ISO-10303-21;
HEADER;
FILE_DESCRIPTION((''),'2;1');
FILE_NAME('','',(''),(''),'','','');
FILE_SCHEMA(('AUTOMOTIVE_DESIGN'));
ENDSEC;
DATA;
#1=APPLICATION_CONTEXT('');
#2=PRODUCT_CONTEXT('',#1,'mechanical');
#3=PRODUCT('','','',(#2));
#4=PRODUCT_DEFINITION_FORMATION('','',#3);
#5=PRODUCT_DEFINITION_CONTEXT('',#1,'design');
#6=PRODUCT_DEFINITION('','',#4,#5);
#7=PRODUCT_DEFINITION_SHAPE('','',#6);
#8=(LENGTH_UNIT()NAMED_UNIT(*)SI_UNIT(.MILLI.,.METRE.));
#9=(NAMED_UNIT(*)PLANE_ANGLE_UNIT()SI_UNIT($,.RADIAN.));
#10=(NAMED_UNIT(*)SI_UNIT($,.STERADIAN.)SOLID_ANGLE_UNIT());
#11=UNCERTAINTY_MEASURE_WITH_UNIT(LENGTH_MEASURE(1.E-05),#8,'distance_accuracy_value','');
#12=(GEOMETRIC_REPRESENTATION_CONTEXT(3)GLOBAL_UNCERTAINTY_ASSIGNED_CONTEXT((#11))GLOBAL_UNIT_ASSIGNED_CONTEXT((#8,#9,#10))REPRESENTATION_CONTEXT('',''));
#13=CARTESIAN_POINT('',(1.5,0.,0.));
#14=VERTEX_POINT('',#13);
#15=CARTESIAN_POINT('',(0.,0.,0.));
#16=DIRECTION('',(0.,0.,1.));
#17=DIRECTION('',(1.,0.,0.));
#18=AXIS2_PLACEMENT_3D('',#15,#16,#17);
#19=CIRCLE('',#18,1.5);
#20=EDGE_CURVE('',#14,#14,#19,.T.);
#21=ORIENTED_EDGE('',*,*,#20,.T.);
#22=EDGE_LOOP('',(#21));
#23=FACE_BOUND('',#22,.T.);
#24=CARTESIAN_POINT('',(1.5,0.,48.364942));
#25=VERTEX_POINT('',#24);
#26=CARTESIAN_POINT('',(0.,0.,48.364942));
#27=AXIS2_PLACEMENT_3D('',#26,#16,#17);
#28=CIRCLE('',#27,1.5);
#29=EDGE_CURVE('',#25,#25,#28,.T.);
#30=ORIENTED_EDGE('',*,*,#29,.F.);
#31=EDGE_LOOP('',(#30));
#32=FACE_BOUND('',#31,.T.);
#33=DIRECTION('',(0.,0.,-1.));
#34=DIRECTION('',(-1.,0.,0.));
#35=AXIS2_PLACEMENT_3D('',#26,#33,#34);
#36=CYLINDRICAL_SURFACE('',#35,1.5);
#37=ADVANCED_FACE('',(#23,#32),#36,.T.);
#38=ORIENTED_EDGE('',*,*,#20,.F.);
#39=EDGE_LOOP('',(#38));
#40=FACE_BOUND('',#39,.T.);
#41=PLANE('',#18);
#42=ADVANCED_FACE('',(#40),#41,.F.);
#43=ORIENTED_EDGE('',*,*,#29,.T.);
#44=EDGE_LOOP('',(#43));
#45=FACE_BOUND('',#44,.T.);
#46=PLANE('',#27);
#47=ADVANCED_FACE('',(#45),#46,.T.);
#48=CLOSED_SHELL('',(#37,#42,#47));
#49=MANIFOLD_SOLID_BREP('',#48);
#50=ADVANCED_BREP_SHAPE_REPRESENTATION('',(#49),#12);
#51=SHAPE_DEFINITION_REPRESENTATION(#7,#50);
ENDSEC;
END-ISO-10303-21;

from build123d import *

# Parameters (mm, degrees)
S01_STEEL_ROD_AND_NOMINAL_THREADED_END_R       = 1.5
F_01_STEEL_ROD_AND_NOMINAL_THREADED_ENDS_DEPTH = 48.364941753


with BuildPart() as part:
    # S01 - Steel rod and nominal threaded ends → 01 - Steel rod and nominal threaded ends (new body)
    with BuildSketch(Plane.XY):
        Circle(S01_STEEL_ROD_AND_NOMINAL_THREADED_END_R)
    extrude(amount=F_01_STEEL_ROD_AND_NOMINAL_THREADED_ENDS_DEPTH)


solid = part.part
